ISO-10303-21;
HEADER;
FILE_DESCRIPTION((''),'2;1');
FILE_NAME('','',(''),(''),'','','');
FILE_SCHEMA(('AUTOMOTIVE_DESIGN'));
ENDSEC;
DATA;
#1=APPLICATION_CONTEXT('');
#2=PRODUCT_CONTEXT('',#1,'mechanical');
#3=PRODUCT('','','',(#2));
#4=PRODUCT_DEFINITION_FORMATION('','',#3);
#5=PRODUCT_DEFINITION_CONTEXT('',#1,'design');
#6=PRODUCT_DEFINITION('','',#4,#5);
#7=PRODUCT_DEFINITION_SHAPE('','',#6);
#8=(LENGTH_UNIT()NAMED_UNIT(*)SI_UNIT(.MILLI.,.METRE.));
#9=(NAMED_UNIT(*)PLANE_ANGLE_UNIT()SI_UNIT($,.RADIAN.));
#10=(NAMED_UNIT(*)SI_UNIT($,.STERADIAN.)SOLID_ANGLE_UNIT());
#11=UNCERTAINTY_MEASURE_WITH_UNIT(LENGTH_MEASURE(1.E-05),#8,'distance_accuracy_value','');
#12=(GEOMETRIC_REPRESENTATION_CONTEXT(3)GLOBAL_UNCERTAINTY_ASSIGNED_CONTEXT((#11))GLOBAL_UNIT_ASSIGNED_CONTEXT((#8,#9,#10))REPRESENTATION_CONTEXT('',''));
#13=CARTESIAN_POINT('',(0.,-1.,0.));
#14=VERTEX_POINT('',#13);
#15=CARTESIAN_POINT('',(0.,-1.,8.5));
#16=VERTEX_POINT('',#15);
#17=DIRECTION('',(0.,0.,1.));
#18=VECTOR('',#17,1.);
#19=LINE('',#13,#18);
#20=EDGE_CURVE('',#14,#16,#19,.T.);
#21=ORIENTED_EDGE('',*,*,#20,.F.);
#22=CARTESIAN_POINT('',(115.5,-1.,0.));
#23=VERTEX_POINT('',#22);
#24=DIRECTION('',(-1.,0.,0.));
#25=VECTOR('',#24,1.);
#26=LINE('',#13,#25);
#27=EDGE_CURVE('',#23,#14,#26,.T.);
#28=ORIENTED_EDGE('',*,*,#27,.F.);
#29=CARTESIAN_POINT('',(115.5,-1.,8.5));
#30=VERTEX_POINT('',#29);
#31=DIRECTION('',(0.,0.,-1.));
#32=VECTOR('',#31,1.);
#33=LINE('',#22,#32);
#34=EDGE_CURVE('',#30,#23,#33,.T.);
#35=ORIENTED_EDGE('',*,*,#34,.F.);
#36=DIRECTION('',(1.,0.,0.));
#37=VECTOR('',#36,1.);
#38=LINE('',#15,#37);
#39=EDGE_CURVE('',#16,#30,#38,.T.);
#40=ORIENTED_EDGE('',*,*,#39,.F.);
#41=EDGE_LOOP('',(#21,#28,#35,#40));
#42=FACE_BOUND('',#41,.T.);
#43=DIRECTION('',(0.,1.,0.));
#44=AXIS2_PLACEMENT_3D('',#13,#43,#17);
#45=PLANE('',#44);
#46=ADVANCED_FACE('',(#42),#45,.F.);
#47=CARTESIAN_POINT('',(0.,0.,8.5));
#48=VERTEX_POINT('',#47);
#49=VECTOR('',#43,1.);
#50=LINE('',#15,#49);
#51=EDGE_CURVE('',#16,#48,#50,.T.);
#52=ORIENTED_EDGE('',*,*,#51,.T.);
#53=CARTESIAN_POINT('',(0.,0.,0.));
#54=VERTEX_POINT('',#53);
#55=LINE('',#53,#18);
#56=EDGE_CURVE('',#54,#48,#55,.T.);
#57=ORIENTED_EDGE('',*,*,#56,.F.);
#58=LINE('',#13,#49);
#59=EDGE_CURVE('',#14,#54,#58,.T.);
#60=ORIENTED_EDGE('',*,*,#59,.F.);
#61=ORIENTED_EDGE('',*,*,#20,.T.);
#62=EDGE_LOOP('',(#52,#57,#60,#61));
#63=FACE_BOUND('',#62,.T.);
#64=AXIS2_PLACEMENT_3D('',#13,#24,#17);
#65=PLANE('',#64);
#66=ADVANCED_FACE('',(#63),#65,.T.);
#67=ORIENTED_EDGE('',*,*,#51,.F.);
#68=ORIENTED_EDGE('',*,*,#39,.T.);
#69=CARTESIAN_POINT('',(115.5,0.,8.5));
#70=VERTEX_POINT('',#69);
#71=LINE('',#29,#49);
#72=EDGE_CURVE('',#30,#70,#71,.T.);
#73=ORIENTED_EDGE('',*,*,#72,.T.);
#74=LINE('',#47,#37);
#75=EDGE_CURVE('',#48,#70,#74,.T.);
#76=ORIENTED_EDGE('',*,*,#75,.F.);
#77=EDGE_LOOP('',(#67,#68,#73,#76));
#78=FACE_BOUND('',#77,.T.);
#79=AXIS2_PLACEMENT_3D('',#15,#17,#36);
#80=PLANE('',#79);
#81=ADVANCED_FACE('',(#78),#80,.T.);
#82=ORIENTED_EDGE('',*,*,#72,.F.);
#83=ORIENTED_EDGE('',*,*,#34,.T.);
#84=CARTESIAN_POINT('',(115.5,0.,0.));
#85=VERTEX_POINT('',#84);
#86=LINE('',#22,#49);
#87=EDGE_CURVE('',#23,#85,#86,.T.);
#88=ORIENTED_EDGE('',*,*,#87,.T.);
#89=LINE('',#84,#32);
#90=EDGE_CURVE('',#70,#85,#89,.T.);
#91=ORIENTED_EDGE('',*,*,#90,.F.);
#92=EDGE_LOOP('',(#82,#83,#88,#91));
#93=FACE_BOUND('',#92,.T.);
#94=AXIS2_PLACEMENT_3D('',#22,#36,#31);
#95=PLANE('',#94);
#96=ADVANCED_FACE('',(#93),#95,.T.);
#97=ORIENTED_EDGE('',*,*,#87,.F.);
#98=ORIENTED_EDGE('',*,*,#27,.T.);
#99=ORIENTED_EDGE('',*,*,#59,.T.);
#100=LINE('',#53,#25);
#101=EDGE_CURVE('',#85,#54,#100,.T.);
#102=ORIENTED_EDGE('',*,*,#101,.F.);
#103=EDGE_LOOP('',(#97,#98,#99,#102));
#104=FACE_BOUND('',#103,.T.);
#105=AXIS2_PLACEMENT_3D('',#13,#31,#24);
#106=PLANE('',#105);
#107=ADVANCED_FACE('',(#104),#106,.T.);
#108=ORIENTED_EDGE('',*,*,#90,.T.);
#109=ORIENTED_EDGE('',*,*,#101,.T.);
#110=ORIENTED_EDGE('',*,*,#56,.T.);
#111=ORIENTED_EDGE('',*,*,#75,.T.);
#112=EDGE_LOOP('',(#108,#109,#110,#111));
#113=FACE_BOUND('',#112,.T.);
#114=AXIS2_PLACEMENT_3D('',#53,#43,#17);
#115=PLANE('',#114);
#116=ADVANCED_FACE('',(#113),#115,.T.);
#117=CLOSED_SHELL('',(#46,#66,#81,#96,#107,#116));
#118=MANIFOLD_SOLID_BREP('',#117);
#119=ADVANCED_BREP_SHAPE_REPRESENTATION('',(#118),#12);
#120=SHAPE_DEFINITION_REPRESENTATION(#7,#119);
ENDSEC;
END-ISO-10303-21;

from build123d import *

# Parameters (mm, degrees)
SKETCH1_W           = 115.5
SKETCH1_H           = 8.5
BOSS_EXTRUDE1_DEPTH = 1


with BuildPart() as part:
    # Sketch1 → Boss-Extrude1 (new body)
    with BuildSketch(Plane(origin=(0, 0, 0), x_dir=(1, 0, 0), z_dir=(0, 1, 0))):
        with Locations((57.75, -4.25)):
            Rectangle(SKETCH1_W, SKETCH1_H)
    extrude(amount=-BOSS_EXTRUDE1_DEPTH)


solid = part.part
